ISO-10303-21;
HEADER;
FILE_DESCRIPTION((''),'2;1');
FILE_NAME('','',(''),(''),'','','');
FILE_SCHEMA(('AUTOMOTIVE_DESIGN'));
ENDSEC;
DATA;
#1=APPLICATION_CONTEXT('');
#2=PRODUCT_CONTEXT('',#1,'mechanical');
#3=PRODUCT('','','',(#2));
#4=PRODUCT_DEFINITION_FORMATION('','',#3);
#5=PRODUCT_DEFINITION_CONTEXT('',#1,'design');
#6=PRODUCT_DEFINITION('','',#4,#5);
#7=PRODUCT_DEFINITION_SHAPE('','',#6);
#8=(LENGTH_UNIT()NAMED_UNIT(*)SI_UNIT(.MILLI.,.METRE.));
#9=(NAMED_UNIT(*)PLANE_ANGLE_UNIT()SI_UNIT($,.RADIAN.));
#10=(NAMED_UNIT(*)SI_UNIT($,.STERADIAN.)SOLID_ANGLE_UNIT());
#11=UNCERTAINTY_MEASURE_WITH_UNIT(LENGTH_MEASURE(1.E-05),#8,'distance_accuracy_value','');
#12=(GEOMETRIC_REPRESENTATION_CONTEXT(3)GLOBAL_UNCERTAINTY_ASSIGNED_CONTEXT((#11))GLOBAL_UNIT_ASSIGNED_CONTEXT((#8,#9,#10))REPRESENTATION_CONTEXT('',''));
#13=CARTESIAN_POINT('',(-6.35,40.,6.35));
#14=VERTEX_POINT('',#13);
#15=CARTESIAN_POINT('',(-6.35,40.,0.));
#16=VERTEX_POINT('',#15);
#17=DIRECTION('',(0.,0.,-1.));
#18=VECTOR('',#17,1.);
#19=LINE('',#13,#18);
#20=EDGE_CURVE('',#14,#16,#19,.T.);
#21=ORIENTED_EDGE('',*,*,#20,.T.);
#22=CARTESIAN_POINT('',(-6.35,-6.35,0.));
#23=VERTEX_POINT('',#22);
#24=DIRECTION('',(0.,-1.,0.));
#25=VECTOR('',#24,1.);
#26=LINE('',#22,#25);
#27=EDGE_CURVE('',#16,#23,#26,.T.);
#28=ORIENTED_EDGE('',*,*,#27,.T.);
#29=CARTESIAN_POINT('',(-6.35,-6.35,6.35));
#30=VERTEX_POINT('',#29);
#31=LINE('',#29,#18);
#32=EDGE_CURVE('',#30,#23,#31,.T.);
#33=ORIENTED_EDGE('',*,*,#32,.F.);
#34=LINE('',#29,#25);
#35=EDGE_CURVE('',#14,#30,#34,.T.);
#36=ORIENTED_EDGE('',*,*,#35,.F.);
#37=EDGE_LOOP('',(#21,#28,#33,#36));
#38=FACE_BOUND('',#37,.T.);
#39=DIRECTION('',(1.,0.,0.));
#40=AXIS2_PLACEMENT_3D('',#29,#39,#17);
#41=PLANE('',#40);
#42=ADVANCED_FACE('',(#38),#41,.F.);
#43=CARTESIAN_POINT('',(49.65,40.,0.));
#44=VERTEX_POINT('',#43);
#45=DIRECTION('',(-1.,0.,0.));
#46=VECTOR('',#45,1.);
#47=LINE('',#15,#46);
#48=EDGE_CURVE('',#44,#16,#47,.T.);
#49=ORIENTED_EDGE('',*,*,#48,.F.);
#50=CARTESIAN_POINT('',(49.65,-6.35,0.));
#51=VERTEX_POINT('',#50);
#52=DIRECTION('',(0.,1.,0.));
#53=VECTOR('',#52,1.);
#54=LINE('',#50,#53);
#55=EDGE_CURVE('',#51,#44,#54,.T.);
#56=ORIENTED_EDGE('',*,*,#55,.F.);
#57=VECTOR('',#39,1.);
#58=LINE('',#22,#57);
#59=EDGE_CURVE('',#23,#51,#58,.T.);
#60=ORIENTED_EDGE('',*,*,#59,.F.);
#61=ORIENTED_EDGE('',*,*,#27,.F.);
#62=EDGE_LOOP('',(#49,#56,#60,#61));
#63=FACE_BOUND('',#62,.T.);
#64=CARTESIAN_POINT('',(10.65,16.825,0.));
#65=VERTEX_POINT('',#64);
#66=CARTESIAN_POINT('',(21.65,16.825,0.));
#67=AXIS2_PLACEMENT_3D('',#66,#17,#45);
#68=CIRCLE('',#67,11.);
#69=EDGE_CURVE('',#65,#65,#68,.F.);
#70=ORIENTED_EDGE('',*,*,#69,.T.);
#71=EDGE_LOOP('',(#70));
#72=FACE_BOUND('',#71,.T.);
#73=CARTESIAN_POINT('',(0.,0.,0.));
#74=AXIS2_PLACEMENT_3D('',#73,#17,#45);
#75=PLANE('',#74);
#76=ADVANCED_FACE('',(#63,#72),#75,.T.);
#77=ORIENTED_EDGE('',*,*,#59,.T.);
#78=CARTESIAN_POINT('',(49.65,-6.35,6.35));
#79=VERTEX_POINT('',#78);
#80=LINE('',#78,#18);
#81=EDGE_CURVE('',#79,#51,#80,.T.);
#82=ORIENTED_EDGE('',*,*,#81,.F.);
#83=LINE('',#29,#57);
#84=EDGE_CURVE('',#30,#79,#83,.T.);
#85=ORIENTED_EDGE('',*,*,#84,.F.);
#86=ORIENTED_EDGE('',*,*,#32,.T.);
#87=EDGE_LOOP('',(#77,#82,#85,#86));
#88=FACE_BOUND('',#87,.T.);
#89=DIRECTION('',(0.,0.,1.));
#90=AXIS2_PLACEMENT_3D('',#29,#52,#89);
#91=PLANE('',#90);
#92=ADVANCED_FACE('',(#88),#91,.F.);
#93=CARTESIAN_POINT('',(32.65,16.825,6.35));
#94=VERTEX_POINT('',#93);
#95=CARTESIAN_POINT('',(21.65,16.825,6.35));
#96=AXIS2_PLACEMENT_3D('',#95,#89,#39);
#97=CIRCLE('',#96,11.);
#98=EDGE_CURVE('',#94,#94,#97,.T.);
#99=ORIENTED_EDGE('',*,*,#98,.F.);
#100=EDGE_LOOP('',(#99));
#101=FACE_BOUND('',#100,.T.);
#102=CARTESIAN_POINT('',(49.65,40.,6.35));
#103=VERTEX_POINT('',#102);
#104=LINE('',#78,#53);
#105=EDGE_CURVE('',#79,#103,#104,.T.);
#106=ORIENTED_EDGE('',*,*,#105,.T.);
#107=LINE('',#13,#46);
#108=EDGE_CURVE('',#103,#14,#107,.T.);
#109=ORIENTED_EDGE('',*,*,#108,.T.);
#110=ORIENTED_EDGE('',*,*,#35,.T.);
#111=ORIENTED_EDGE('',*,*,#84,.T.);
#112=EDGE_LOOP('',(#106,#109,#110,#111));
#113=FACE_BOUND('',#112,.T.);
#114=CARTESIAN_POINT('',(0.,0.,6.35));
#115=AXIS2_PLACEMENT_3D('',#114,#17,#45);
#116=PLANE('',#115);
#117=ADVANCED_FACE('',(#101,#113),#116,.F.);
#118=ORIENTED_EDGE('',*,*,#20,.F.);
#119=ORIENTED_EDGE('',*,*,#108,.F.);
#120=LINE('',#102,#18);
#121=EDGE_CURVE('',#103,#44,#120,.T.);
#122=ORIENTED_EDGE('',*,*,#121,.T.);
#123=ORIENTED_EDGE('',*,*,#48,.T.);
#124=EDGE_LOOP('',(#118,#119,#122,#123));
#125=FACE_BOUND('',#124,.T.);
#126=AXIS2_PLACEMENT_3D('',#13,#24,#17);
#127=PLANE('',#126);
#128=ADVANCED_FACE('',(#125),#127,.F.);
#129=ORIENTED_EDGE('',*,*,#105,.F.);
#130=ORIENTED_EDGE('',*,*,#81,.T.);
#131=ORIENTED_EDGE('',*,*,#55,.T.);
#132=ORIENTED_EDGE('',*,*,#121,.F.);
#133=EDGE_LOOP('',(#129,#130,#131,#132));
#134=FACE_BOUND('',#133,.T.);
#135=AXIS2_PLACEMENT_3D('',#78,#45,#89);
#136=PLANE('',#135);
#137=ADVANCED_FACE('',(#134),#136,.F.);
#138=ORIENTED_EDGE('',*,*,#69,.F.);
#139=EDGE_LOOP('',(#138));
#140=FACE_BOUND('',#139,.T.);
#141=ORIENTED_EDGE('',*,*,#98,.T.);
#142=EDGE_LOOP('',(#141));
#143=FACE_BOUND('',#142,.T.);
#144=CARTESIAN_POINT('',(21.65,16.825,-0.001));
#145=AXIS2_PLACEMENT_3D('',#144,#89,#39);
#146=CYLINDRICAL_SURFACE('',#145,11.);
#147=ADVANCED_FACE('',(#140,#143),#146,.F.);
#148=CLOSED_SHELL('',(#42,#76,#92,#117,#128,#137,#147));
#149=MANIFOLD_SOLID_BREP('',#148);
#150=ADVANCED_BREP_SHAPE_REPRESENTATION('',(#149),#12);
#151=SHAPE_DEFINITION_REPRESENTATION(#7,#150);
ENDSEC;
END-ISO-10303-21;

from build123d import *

# Parameters (mm, degrees)
SKETCH1_W           = 56
SKETCH1_H           = 46.35
BOSS_EXTRUDE1_DEPTH = 6.35
CUT_EXTRUDE1_REACH  = 66.074
SKETCH3_R           = 11


with BuildPart() as part:
    # Sketch1 → Boss-Extrude1 (new body)
    with BuildSketch(Plane.XY):
        with Locations((21.65, 16.825)):
            Rectangle(SKETCH1_W, SKETCH1_H)
    extrude(amount=BOSS_EXTRUDE1_DEPTH)

    # Sketch3 → Cut-Extrude1 (cut, up to next)
    with BuildSketch(Plane.XY.offset(6.35), mode=Mode.PRIVATE) as cut_extrude1_sk1:
        with Locations((21.65, 16.825)):
            Circle(SKETCH3_R)
    cut_extrude1_tool1 = extrude(cut_extrude1_sk1.sketch, amount=-CUT_EXTRUDE1_REACH, mode=Mode.PRIVATE) & part.part
    add(cut_extrude1_tool1.solids().sort_by_distance((21.65, 16.825, 6.35))[0], mode=Mode.SUBTRACT)


solid = part.part
